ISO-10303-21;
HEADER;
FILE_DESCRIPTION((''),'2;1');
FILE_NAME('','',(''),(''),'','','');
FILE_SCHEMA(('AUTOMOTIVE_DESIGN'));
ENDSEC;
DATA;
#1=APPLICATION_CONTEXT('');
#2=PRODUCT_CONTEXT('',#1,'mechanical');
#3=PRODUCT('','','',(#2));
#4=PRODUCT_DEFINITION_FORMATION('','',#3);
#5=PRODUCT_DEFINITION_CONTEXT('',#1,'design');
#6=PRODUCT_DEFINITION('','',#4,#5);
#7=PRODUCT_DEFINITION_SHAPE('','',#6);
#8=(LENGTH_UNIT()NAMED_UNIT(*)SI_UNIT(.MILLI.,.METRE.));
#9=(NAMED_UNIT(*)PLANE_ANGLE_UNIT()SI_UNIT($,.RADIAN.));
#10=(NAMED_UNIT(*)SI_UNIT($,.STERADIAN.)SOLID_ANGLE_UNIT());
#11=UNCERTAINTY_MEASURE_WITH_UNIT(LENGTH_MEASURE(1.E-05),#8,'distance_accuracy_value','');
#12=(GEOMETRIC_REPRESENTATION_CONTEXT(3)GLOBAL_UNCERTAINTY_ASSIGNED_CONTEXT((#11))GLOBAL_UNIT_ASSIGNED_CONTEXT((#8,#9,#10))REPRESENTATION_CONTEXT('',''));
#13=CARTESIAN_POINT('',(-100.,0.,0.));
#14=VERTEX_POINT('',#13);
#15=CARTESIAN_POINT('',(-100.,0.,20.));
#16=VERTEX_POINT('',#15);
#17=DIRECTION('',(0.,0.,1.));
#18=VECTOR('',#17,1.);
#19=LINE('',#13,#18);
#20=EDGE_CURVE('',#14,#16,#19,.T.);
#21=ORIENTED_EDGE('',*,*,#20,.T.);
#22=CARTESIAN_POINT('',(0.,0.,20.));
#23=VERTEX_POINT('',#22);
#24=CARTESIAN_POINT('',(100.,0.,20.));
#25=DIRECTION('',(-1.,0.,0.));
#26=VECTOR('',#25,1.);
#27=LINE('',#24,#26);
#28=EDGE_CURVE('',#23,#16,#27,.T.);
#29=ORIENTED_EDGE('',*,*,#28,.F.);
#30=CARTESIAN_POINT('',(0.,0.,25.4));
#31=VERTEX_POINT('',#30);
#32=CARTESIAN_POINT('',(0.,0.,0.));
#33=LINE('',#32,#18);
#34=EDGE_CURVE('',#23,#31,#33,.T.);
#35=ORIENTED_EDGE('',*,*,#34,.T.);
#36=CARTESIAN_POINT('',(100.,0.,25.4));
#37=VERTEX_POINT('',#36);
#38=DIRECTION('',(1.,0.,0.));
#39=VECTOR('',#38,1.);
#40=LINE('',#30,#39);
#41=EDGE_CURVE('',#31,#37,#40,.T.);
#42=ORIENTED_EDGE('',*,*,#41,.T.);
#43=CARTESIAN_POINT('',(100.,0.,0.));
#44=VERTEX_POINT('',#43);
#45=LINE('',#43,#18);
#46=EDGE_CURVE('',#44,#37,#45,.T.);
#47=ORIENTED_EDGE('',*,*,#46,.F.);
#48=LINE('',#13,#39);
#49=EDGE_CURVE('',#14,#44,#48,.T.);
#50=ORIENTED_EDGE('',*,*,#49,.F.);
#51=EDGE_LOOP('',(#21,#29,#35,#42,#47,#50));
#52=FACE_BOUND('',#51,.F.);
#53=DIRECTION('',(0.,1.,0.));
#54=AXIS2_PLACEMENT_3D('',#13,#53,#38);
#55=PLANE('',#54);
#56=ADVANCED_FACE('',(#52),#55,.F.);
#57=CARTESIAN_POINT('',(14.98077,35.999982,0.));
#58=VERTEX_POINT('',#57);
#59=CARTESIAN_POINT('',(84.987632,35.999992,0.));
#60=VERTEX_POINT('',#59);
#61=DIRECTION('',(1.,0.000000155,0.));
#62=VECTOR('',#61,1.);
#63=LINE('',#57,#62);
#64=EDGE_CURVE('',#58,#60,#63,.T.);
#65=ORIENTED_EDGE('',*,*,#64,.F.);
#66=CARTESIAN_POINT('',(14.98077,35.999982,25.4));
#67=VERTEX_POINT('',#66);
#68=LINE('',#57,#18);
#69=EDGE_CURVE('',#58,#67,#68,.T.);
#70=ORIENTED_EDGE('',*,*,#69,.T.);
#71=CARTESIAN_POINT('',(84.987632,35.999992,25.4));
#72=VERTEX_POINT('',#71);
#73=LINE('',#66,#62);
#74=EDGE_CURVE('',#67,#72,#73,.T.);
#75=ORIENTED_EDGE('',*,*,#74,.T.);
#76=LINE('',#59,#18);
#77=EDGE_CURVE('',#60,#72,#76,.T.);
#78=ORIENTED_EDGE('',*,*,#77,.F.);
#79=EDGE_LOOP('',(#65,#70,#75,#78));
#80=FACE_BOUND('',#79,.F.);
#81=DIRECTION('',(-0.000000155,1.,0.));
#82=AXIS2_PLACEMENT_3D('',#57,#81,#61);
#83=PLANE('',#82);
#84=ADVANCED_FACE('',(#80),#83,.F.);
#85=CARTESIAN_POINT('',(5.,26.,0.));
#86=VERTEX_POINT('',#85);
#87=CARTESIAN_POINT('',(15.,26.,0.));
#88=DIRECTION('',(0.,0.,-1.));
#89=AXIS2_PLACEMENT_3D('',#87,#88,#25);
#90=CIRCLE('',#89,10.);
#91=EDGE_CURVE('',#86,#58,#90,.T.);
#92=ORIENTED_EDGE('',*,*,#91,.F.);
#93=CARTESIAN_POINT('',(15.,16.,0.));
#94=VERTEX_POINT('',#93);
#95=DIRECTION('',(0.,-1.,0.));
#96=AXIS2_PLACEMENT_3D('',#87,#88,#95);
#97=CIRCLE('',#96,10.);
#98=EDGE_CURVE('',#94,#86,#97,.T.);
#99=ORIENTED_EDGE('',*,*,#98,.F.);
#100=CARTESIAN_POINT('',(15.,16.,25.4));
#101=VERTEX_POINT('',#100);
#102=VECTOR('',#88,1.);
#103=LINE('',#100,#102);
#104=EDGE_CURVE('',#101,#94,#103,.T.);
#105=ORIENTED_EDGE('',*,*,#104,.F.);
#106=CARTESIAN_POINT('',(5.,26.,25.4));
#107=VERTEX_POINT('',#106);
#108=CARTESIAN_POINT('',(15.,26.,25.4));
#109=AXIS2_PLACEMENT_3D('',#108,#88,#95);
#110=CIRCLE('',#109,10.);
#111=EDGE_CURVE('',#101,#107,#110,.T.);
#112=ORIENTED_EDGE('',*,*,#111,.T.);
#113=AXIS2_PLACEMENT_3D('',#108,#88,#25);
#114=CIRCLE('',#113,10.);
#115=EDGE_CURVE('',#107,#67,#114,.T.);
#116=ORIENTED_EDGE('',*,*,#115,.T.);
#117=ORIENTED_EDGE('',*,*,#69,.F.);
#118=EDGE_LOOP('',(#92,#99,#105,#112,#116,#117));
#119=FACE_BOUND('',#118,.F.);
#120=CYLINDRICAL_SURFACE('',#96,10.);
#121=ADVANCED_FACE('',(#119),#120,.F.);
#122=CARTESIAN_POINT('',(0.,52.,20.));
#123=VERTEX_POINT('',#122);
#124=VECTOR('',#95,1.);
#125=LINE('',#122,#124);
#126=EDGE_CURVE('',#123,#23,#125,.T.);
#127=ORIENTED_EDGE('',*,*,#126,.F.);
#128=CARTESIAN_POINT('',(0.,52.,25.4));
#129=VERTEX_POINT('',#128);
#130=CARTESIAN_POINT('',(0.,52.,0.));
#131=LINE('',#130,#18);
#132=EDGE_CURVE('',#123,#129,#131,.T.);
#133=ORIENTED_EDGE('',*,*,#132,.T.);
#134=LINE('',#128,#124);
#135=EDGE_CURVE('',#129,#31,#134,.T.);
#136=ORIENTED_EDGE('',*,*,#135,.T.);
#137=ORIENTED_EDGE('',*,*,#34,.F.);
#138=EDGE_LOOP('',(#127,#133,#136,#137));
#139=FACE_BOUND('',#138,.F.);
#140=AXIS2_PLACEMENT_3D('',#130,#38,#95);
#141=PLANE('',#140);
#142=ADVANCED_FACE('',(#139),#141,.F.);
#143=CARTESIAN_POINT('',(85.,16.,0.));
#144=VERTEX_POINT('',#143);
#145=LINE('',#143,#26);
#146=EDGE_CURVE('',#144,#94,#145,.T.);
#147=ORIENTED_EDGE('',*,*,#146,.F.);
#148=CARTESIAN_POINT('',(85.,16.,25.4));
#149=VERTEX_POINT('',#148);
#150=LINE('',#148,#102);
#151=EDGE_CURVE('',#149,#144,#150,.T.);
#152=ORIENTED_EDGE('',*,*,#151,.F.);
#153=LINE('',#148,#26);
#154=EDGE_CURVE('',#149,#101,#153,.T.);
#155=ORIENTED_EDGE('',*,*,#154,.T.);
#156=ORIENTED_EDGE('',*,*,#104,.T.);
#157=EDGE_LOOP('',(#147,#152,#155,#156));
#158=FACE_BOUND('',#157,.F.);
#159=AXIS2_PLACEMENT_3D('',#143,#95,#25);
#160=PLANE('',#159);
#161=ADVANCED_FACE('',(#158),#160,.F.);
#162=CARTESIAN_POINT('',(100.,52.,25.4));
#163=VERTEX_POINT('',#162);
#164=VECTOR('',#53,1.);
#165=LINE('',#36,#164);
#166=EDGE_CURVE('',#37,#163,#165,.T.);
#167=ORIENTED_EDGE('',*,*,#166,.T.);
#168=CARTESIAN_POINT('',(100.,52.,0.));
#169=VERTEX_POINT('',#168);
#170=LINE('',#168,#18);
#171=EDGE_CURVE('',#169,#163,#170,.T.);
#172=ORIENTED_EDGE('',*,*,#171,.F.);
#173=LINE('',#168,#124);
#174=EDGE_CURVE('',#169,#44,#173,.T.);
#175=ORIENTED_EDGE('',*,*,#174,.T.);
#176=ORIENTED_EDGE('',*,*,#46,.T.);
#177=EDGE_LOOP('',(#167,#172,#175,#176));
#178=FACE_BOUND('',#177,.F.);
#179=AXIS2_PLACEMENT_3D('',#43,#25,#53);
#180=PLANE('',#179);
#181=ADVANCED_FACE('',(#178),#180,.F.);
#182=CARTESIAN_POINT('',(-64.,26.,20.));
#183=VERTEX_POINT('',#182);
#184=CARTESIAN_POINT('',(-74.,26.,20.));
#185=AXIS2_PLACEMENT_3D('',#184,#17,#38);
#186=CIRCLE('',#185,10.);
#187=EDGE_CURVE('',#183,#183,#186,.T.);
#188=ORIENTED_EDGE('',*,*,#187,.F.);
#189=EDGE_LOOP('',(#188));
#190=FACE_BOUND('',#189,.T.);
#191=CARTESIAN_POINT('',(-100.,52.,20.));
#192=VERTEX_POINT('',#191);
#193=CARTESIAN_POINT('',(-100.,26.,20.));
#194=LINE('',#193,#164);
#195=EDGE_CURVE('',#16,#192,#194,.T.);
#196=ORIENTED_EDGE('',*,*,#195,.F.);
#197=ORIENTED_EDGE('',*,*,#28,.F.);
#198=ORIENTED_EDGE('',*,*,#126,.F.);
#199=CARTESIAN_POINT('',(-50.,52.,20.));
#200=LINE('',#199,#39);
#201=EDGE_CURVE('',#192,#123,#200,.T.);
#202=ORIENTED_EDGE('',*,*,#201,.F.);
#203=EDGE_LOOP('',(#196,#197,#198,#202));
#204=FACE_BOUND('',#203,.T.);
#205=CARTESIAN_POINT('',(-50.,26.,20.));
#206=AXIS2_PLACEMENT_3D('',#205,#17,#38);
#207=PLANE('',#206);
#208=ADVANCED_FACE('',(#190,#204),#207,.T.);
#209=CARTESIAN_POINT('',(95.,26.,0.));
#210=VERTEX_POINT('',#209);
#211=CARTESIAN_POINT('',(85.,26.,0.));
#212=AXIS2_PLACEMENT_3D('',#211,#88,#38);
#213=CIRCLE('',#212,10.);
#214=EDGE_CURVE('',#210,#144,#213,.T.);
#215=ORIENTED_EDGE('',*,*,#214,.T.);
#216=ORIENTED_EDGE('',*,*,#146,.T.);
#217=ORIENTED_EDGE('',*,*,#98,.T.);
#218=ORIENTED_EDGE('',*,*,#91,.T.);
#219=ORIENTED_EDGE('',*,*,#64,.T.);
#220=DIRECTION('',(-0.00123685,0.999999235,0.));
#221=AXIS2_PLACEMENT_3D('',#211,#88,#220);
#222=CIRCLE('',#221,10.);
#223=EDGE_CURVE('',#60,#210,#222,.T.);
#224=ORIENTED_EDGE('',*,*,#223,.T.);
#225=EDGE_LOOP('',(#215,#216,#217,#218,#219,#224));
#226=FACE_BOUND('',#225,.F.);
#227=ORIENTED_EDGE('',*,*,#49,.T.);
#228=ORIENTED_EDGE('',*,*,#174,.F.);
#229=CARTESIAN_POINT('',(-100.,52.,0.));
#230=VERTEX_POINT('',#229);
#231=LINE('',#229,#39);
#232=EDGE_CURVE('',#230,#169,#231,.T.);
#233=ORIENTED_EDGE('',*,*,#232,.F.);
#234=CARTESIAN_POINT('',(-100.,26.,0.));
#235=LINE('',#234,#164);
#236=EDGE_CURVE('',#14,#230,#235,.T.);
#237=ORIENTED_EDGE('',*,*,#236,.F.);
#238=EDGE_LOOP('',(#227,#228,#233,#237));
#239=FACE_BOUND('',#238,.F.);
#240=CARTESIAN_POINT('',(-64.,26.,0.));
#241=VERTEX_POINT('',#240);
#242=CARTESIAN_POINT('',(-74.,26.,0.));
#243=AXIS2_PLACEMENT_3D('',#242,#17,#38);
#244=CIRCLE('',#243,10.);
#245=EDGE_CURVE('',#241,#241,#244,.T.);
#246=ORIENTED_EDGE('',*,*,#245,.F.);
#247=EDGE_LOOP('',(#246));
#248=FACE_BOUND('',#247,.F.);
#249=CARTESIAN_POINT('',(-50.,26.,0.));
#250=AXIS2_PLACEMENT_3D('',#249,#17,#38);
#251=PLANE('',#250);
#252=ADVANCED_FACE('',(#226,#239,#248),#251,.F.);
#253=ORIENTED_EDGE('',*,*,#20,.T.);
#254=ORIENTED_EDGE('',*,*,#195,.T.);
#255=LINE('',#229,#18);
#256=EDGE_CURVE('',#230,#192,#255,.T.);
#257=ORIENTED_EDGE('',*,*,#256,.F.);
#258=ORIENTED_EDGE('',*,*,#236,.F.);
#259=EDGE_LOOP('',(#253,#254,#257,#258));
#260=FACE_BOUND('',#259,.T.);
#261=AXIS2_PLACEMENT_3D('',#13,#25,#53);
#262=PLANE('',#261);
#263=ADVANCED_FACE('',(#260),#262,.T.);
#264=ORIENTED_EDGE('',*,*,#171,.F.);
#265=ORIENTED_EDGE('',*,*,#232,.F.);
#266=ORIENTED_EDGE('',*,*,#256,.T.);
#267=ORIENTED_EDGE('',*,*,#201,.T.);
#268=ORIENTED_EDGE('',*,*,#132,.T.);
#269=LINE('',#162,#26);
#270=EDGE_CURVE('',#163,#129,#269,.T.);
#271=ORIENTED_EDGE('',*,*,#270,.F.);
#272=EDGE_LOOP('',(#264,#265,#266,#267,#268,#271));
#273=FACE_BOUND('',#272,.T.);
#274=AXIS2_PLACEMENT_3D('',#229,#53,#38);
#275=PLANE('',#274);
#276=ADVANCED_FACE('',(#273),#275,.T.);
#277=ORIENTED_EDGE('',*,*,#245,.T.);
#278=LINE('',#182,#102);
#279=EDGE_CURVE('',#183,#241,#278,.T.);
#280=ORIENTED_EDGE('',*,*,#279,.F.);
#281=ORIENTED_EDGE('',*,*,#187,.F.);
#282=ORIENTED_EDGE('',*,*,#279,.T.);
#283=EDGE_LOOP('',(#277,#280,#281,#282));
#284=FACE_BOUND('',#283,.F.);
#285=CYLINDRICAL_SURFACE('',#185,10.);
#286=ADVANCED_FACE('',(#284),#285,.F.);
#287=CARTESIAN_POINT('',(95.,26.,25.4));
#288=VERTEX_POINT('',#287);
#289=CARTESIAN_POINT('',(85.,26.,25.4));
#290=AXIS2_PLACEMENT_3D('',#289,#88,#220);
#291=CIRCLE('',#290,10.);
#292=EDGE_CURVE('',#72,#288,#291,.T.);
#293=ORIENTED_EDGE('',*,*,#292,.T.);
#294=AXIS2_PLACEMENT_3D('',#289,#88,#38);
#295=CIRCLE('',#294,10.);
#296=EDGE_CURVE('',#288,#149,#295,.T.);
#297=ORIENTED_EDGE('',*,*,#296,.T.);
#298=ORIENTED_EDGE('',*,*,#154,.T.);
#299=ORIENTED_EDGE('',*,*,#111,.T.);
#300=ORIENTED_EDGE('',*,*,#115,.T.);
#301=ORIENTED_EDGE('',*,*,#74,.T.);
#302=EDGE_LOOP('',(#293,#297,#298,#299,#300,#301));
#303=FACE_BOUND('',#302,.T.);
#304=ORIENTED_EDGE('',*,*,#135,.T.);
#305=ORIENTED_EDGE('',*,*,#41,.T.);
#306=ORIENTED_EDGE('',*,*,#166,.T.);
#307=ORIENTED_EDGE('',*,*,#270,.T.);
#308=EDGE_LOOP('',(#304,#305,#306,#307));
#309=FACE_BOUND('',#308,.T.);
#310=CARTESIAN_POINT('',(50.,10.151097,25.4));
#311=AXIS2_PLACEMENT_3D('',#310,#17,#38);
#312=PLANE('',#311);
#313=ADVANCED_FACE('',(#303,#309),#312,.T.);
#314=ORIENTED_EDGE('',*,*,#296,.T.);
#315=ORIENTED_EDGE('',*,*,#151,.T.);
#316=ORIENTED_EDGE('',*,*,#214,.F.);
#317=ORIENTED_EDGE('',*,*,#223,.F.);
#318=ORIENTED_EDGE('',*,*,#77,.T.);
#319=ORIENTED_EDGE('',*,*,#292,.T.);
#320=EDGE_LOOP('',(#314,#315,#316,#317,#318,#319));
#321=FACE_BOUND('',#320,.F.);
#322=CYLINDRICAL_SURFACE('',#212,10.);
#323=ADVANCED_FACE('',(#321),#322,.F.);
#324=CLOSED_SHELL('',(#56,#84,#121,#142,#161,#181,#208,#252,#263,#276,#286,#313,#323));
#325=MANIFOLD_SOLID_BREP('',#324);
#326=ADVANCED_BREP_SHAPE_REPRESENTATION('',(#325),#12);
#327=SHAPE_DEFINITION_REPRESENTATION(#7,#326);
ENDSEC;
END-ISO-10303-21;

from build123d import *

# Parameters (mm, degrees)
F1_DEPTH = 20
F3_DEPTH = 25.4
F4_DEPTH = 25.4
F5_W     = 100
F5_H     = 52
F6_DEPTH = 20
F8_DEPTH = 25.4
F9_DEPTH = 25.4


with BuildPart() as f1:
    # F0 (on Top) → F1 (new body)
    with BuildSketch(Plane.XY):
        with BuildLine():
            Line((0, 26), (0, 0))
            Line((0, 0), (100, 0))
            Line((100, 0), (100, 26))
            Line((100, 26), (95, 26))
            ThreePointArc((95, 26), (92.0710678119, 18.9289321881), (85, 16))
            Line((85, 16), (15, 16))
            ThreePointArc((15, 16), (7.9289321881, 18.9289321881), (5, 26))
            Line((5, 26), (0, 26))
        make_face()
    extrude(amount=F1_DEPTH)

    # F2 (on face) → F3 (cut)
    with BuildSketch(Plane.XY.offset(20)):
        Polygon((85.6833907061, 35.9766215295), (15.6840754541, 35.9765746012), (15.6840754541, 16.0234253988), (85.6833907061, 16.0233784705), align=None)
    extrude(amount=-F3_DEPTH, mode=Mode.SUBTRACT)

    # F2 (on face) → F4 (cut)
    with BuildSketch(Plane.XY.offset(20)):
        Polygon((85.6833907061, 35.9766215295), (15.6840754541, 35.9765746012), (15.6840754541, 16.0234253988), (85.6833907061, 16.0233784705), align=None)
    extrude(amount=-F4_DEPTH, mode=Mode.SUBTRACT)

    # F5 (on Top) → F6 (join)
    with BuildSketch(Plane.XY):
        with Locations((-50, 26)):
            Rectangle(F5_W, F5_H)
    extrude(amount=F6_DEPTH)

    # F7 (on face) → F8 (cut)
    with BuildSketch(Plane.XY.offset(20)):
        with BuildLine():
            ThreePointArc((-84, 26), (-74, 16), (-64, 26))
            ThreePointArc((-64, 26), (-74, 36), (-84, 26))
        make_face()
    extrude(amount=-F8_DEPTH, mode=Mode.SUBTRACT)

    # F0 (on Top) → F9 (join)
    with BuildSketch(Plane.XY):
        with BuildLine():
            Line((0, 26), (0, 0))
            Line((0, 0), (100, 0))
            Line((100, 0), (100, 26))
            Line((100, 26), (95, 26))
            ThreePointArc((95, 26), (92.0710678119, 18.9289321881), (85, 16))
            Line((85, 16), (15, 16))
            ThreePointArc((15, 16), (7.9289321881, 18.9289321881), (5, 26))
            Line((5, 26), (0, 26))
        make_face()
        with BuildLine():
            Line((0, 52), (0, 26))
            Line((0, 26), (5, 26))
            ThreePointArc((5, 26), (7.9221367888, 33.0642658758), (14.9807704728, 35.9999815112))
            Line((14.9807704728, 35.9999815112), (84.9876315002, 35.999992351))
            ThreePointArc((84.9876315002, 35.999992351), (92.0666935338, 33.0754393856), (95, 26))
            Line((95, 26), (100, 26))
            Line((100, 26), (100, 52))
            Line((100, 52), (0, 52))
        make_face()
    extrude(amount=F9_DEPTH)


solid = f1.part
